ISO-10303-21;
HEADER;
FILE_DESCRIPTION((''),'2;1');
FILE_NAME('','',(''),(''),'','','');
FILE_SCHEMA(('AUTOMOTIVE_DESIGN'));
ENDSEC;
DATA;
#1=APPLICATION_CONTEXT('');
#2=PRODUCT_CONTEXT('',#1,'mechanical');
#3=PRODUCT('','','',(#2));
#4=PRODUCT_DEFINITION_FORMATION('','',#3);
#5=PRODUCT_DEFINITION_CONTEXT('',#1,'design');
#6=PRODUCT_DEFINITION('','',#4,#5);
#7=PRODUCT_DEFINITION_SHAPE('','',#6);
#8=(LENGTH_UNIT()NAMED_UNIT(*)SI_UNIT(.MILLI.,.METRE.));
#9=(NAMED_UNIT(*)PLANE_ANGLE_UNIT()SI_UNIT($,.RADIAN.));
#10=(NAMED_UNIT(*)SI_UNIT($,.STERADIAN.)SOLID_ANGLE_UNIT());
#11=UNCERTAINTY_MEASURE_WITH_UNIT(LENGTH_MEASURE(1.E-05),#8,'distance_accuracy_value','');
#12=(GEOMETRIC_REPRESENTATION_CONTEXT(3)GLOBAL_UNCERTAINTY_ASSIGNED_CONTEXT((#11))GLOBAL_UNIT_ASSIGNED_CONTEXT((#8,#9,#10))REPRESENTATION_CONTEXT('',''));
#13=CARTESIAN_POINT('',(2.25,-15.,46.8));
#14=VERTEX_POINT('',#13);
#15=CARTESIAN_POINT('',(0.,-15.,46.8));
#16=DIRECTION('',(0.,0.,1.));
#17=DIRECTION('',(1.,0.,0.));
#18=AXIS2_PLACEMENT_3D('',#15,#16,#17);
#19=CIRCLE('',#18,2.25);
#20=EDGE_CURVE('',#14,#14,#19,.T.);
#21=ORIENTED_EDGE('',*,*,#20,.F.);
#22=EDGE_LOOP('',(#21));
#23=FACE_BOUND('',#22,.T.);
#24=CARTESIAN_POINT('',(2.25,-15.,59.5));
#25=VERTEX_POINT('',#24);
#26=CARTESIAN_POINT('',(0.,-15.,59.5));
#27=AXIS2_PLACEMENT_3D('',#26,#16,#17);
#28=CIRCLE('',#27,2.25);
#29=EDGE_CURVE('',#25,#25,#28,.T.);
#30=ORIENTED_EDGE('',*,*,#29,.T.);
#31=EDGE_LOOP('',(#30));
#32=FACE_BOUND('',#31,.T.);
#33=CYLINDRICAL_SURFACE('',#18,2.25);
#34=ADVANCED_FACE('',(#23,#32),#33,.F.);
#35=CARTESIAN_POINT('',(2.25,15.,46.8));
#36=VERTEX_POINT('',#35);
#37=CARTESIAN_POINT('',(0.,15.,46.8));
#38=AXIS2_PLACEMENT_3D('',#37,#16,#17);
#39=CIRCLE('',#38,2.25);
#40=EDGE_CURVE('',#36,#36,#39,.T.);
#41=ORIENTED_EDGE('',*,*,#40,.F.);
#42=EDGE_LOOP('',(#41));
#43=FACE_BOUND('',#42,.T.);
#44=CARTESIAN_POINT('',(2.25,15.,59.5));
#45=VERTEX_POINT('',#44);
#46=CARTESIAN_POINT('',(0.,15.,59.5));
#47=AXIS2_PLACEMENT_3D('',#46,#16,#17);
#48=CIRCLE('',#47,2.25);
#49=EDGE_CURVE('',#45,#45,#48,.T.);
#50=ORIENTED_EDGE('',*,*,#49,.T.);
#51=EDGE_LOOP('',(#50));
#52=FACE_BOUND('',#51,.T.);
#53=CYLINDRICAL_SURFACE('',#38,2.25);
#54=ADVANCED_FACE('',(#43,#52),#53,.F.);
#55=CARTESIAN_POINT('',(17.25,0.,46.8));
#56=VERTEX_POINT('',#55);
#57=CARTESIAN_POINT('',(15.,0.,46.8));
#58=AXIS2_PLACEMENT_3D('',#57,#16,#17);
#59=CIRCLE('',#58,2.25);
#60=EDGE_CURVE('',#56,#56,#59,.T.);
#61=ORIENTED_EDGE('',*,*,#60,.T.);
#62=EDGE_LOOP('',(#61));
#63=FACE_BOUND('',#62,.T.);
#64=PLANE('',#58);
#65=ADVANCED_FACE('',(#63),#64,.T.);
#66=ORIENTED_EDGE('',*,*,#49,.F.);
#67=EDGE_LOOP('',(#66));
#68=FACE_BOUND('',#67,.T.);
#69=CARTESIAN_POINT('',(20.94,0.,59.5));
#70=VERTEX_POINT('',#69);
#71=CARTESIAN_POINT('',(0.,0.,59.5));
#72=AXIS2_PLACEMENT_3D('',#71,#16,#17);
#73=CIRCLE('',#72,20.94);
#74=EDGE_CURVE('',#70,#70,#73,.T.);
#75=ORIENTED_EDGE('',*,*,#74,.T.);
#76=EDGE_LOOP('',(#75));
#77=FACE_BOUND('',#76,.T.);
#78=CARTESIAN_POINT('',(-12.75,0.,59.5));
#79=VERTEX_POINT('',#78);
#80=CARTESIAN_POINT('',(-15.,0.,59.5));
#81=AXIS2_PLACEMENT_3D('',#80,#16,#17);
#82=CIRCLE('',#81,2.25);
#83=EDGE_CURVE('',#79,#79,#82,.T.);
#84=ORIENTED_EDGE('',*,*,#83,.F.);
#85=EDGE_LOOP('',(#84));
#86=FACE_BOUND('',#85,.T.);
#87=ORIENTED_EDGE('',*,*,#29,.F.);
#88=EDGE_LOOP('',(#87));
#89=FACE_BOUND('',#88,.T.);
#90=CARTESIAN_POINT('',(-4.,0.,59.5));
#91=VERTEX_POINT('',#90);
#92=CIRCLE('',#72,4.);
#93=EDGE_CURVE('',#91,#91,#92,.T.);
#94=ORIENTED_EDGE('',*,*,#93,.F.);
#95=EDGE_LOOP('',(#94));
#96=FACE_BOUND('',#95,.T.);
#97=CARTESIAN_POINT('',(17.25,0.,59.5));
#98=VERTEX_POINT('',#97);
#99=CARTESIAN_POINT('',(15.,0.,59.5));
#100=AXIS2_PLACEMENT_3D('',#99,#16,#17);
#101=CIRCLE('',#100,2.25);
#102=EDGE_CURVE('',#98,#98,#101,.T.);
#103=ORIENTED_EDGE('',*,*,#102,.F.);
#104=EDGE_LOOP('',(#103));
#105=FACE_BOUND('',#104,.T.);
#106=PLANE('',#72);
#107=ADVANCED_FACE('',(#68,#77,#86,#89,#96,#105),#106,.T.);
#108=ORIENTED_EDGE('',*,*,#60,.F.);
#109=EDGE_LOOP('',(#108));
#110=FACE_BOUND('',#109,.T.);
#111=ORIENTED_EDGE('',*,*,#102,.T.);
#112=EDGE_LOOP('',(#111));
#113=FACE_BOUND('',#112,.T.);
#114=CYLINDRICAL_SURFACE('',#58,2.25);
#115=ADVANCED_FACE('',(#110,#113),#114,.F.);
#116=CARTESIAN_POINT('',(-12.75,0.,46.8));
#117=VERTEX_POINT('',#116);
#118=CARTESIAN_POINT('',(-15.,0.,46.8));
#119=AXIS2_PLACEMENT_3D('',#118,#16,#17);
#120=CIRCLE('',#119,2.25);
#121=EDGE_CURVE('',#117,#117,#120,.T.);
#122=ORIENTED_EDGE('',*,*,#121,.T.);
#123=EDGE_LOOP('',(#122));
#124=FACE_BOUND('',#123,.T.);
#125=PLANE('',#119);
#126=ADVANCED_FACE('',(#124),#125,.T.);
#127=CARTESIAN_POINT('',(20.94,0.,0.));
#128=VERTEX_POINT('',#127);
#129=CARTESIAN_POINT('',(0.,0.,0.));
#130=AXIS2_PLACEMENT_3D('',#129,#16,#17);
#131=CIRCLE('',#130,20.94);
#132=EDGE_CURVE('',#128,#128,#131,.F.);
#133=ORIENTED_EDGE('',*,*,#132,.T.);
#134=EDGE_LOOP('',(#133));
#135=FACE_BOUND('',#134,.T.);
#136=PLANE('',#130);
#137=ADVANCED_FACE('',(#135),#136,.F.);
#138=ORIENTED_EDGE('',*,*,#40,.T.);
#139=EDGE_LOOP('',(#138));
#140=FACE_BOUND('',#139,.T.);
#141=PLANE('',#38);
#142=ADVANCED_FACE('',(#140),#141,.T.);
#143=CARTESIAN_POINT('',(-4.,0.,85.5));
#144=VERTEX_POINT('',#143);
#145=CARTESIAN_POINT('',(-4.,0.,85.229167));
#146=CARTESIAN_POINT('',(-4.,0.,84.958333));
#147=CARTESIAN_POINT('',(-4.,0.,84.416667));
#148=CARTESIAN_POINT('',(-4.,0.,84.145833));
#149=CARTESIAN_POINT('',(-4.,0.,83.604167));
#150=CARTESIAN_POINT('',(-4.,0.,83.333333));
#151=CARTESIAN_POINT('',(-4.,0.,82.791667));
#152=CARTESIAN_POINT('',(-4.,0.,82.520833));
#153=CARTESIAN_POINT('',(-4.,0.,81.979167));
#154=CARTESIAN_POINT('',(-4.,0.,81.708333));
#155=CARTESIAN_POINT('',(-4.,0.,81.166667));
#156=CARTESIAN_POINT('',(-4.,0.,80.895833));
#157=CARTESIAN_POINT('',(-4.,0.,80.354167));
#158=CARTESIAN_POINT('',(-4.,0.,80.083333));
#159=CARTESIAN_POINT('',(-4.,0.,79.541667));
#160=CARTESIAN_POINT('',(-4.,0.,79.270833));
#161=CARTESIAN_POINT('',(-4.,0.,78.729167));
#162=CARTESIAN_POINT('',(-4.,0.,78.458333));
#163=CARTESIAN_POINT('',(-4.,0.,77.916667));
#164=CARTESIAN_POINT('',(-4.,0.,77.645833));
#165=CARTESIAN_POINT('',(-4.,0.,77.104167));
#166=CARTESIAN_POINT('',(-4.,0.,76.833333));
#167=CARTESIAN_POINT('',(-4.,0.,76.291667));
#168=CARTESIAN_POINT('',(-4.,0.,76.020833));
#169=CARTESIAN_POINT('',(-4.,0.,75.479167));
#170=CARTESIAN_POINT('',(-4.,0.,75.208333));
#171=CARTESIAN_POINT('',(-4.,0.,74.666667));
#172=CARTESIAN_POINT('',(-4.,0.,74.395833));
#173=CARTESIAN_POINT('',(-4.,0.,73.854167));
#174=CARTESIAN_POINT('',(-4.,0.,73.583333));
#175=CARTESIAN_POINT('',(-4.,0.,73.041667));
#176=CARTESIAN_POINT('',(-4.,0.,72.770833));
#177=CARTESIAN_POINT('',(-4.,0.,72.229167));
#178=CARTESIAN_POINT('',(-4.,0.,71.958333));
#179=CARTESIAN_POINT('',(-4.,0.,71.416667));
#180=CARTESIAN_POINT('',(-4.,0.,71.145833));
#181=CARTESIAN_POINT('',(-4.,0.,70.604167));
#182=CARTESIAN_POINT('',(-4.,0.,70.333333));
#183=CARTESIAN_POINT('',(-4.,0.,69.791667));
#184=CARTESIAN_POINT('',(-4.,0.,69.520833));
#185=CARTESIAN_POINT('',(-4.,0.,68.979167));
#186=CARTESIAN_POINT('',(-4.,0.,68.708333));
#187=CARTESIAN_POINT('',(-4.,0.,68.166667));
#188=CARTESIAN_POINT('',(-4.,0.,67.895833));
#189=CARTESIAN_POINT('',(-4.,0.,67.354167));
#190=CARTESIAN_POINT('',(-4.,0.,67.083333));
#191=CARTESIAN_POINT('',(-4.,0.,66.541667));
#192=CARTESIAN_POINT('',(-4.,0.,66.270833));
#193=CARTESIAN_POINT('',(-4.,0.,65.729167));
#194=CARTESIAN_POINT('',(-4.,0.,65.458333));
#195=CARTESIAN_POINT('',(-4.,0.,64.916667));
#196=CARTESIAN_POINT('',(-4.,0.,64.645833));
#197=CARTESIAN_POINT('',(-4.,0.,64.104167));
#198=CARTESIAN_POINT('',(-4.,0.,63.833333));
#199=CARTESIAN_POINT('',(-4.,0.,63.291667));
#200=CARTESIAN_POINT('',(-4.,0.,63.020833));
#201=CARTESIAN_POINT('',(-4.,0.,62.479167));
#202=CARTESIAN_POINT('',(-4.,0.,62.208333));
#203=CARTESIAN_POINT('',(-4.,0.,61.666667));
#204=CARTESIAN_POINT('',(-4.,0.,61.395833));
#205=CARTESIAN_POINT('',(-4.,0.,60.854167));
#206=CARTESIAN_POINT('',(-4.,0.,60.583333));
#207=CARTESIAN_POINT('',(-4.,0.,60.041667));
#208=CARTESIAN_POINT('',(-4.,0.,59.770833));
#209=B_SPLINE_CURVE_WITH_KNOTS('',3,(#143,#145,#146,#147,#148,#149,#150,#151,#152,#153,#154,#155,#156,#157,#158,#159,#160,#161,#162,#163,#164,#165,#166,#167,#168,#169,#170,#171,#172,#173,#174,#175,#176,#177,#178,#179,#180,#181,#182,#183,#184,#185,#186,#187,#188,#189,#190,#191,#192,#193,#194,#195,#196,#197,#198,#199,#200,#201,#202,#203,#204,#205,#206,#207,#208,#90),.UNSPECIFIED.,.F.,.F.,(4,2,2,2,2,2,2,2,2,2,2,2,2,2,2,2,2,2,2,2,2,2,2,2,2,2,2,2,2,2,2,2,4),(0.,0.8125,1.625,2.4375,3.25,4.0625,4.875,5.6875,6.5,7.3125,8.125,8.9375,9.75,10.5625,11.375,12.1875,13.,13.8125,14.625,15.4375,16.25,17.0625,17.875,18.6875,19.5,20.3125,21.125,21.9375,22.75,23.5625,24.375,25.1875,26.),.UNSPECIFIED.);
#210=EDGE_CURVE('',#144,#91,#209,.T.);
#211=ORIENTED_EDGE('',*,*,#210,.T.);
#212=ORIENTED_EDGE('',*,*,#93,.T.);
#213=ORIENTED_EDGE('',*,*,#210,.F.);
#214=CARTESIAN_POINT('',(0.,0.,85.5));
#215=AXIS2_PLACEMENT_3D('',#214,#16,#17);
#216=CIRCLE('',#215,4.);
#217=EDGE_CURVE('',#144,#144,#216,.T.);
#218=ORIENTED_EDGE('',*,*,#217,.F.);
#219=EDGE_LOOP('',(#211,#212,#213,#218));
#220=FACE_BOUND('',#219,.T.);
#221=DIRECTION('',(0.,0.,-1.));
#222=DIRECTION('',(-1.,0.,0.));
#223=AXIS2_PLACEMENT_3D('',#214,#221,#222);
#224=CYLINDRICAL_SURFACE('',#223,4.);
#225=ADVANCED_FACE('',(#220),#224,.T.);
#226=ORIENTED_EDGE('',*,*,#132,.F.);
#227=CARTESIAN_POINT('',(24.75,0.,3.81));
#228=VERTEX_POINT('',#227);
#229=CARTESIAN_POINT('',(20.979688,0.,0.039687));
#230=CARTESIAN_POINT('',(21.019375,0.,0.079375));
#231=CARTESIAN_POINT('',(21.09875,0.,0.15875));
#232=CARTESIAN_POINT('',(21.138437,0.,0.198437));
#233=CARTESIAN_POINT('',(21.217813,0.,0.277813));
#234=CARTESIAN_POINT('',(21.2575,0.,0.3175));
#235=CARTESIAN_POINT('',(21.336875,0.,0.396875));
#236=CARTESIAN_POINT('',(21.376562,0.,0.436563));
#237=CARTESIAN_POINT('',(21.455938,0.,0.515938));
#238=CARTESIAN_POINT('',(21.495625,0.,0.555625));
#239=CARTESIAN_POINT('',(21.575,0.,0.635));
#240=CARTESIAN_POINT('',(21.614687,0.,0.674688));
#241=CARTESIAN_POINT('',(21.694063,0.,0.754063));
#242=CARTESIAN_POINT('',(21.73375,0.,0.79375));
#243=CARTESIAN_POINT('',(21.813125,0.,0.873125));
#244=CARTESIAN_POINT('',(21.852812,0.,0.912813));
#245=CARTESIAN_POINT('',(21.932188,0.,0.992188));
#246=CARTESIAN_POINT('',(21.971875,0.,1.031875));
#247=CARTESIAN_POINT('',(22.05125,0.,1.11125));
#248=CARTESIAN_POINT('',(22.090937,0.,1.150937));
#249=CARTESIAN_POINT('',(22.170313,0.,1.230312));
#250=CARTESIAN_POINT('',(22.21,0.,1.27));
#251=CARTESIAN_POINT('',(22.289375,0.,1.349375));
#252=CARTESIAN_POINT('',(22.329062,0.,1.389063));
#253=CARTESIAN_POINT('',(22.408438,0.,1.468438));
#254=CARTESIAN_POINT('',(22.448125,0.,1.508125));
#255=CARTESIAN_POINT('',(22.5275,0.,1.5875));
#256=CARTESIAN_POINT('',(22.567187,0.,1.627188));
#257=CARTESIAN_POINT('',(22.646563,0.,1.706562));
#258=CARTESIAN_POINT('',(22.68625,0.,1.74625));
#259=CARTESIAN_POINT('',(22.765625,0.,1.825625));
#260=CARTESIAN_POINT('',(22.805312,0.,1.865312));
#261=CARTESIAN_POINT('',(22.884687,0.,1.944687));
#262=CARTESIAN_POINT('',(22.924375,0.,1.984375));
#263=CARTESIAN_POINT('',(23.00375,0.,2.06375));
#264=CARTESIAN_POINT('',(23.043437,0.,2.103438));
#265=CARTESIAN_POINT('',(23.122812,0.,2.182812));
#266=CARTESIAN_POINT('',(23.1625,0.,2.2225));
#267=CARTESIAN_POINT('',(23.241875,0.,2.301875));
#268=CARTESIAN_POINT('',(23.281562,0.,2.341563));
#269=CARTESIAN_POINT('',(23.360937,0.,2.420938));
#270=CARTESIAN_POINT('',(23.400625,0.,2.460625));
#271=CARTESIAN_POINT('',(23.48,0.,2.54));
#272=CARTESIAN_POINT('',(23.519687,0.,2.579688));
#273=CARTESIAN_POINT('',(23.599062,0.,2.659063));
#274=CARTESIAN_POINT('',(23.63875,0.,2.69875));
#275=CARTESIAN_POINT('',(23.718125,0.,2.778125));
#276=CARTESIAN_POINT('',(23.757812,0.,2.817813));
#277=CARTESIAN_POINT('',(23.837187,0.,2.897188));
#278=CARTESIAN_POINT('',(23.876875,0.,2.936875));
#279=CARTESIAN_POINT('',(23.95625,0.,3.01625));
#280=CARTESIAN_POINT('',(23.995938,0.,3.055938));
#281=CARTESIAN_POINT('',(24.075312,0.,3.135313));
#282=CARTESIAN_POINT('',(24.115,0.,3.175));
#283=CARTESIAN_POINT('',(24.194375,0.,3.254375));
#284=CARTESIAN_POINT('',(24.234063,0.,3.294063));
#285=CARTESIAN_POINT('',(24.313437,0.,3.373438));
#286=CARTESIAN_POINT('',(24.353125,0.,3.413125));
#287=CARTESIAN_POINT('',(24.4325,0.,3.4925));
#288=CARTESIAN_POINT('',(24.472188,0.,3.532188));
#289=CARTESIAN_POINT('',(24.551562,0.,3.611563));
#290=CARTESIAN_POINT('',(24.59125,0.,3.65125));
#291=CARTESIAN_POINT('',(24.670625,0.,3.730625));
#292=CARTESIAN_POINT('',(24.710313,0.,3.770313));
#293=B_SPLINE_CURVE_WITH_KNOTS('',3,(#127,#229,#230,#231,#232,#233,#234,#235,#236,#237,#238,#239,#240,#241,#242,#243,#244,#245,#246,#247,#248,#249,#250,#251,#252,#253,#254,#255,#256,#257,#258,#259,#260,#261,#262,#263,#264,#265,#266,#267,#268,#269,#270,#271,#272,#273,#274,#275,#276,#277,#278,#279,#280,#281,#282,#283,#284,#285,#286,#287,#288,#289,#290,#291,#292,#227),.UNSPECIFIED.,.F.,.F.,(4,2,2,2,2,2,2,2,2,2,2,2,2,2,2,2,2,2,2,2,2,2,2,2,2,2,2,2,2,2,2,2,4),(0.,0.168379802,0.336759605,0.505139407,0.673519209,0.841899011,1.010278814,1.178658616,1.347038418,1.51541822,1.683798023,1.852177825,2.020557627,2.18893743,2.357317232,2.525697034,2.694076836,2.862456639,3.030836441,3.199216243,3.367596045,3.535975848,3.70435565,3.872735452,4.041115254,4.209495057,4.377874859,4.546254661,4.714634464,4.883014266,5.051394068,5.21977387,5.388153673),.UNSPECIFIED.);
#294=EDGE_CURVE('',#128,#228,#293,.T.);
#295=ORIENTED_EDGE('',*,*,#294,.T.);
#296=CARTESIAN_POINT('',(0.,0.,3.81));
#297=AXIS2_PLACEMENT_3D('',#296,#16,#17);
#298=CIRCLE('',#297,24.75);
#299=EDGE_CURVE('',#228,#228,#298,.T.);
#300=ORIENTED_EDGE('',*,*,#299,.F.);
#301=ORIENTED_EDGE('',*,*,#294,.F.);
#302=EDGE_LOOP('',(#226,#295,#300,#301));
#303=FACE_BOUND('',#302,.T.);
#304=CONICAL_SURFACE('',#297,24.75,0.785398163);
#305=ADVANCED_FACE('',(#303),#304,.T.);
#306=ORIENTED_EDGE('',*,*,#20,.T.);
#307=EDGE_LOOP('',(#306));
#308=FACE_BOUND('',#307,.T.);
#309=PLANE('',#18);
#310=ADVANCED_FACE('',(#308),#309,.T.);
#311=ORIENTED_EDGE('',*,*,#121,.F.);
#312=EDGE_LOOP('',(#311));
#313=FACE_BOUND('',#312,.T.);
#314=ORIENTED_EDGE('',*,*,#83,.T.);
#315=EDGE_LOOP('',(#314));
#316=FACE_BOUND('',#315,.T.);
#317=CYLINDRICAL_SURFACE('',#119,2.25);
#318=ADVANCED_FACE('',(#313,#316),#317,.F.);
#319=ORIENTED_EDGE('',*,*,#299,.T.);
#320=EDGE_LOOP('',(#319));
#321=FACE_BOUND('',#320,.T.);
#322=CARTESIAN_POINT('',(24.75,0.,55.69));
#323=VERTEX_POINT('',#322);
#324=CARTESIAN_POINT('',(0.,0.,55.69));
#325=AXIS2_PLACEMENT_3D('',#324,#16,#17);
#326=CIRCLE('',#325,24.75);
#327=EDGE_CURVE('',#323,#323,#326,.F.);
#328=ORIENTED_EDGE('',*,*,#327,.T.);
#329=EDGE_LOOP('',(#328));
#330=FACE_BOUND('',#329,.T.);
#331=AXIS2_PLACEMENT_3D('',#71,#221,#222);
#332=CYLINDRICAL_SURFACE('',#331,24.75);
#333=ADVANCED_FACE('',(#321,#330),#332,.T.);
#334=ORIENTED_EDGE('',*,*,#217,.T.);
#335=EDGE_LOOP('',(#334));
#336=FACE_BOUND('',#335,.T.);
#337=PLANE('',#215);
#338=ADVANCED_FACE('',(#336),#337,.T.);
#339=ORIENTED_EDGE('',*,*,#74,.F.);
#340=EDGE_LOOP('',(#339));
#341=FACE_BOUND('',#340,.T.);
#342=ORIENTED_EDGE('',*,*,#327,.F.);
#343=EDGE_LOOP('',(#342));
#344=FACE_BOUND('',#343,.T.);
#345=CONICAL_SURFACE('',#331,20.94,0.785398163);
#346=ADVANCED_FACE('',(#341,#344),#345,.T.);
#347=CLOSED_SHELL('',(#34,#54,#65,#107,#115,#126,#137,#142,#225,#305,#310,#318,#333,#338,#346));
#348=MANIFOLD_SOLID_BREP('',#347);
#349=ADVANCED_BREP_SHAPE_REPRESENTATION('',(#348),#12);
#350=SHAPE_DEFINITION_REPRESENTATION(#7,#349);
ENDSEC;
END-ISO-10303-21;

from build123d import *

# Parameters (mm, degrees)
SKETCH1_R           = 24.75
BOSS_EXTRUDE1_DEPTH = 59.5
SKETCH2_R           = 4
BOSS_EXTRUDE2_DEPTH = 26
CHAMFER1_SIZE       = 3.81
CHAMFER2_SIZE       = 3.81
SKETCH3_R           = 2.25
CUT_EXTRUDE3_DEPTH  = 12.7


with BuildPart() as part:
    # Sketch1 → Boss-Extrude1 (new body)
    with BuildSketch(Plane.XY):
        Circle(SKETCH1_R)
    extrude(amount=BOSS_EXTRUDE1_DEPTH)

    # Sketch2 → Boss-Extrude2 (add)
    with BuildSketch(Plane.XY.offset(59.5)):
        with Locations(Location((0, 0, 0), (0, 0, 180))):
            Circle(SKETCH2_R)
    extrude(amount=BOSS_EXTRUDE2_DEPTH)

    # Chamfer1
    chamfer1_edges = [part.edges().sort_by_distance(p)[0] for p in [
        (-24.75, 0, 59.5),
    ]]
    chamfer(chamfer1_edges, length=CHAMFER1_SIZE)

    # Chamfer2
    chamfer2_edges = [part.edges().sort_by_distance(p)[0] for p in [
        (-24.75, 0, 0),
    ]]
    chamfer(chamfer2_edges, length=CHAMFER2_SIZE)

    # Sketch3 → Cut-Extrude3 (cut)
    with BuildSketch(Plane.XY.offset(59.5)):
        with Locations((0, 15)):
            Circle(SKETCH3_R)
        with Locations((15, 0)):
            Circle(SKETCH3_R)
        with Locations((0, -15)):
            Circle(SKETCH3_R)
        with Locations((-15, 0)):
            Circle(SKETCH3_R)
    extrude(amount=-CUT_EXTRUDE3_DEPTH, mode=Mode.SUBTRACT)


solid = part.part
